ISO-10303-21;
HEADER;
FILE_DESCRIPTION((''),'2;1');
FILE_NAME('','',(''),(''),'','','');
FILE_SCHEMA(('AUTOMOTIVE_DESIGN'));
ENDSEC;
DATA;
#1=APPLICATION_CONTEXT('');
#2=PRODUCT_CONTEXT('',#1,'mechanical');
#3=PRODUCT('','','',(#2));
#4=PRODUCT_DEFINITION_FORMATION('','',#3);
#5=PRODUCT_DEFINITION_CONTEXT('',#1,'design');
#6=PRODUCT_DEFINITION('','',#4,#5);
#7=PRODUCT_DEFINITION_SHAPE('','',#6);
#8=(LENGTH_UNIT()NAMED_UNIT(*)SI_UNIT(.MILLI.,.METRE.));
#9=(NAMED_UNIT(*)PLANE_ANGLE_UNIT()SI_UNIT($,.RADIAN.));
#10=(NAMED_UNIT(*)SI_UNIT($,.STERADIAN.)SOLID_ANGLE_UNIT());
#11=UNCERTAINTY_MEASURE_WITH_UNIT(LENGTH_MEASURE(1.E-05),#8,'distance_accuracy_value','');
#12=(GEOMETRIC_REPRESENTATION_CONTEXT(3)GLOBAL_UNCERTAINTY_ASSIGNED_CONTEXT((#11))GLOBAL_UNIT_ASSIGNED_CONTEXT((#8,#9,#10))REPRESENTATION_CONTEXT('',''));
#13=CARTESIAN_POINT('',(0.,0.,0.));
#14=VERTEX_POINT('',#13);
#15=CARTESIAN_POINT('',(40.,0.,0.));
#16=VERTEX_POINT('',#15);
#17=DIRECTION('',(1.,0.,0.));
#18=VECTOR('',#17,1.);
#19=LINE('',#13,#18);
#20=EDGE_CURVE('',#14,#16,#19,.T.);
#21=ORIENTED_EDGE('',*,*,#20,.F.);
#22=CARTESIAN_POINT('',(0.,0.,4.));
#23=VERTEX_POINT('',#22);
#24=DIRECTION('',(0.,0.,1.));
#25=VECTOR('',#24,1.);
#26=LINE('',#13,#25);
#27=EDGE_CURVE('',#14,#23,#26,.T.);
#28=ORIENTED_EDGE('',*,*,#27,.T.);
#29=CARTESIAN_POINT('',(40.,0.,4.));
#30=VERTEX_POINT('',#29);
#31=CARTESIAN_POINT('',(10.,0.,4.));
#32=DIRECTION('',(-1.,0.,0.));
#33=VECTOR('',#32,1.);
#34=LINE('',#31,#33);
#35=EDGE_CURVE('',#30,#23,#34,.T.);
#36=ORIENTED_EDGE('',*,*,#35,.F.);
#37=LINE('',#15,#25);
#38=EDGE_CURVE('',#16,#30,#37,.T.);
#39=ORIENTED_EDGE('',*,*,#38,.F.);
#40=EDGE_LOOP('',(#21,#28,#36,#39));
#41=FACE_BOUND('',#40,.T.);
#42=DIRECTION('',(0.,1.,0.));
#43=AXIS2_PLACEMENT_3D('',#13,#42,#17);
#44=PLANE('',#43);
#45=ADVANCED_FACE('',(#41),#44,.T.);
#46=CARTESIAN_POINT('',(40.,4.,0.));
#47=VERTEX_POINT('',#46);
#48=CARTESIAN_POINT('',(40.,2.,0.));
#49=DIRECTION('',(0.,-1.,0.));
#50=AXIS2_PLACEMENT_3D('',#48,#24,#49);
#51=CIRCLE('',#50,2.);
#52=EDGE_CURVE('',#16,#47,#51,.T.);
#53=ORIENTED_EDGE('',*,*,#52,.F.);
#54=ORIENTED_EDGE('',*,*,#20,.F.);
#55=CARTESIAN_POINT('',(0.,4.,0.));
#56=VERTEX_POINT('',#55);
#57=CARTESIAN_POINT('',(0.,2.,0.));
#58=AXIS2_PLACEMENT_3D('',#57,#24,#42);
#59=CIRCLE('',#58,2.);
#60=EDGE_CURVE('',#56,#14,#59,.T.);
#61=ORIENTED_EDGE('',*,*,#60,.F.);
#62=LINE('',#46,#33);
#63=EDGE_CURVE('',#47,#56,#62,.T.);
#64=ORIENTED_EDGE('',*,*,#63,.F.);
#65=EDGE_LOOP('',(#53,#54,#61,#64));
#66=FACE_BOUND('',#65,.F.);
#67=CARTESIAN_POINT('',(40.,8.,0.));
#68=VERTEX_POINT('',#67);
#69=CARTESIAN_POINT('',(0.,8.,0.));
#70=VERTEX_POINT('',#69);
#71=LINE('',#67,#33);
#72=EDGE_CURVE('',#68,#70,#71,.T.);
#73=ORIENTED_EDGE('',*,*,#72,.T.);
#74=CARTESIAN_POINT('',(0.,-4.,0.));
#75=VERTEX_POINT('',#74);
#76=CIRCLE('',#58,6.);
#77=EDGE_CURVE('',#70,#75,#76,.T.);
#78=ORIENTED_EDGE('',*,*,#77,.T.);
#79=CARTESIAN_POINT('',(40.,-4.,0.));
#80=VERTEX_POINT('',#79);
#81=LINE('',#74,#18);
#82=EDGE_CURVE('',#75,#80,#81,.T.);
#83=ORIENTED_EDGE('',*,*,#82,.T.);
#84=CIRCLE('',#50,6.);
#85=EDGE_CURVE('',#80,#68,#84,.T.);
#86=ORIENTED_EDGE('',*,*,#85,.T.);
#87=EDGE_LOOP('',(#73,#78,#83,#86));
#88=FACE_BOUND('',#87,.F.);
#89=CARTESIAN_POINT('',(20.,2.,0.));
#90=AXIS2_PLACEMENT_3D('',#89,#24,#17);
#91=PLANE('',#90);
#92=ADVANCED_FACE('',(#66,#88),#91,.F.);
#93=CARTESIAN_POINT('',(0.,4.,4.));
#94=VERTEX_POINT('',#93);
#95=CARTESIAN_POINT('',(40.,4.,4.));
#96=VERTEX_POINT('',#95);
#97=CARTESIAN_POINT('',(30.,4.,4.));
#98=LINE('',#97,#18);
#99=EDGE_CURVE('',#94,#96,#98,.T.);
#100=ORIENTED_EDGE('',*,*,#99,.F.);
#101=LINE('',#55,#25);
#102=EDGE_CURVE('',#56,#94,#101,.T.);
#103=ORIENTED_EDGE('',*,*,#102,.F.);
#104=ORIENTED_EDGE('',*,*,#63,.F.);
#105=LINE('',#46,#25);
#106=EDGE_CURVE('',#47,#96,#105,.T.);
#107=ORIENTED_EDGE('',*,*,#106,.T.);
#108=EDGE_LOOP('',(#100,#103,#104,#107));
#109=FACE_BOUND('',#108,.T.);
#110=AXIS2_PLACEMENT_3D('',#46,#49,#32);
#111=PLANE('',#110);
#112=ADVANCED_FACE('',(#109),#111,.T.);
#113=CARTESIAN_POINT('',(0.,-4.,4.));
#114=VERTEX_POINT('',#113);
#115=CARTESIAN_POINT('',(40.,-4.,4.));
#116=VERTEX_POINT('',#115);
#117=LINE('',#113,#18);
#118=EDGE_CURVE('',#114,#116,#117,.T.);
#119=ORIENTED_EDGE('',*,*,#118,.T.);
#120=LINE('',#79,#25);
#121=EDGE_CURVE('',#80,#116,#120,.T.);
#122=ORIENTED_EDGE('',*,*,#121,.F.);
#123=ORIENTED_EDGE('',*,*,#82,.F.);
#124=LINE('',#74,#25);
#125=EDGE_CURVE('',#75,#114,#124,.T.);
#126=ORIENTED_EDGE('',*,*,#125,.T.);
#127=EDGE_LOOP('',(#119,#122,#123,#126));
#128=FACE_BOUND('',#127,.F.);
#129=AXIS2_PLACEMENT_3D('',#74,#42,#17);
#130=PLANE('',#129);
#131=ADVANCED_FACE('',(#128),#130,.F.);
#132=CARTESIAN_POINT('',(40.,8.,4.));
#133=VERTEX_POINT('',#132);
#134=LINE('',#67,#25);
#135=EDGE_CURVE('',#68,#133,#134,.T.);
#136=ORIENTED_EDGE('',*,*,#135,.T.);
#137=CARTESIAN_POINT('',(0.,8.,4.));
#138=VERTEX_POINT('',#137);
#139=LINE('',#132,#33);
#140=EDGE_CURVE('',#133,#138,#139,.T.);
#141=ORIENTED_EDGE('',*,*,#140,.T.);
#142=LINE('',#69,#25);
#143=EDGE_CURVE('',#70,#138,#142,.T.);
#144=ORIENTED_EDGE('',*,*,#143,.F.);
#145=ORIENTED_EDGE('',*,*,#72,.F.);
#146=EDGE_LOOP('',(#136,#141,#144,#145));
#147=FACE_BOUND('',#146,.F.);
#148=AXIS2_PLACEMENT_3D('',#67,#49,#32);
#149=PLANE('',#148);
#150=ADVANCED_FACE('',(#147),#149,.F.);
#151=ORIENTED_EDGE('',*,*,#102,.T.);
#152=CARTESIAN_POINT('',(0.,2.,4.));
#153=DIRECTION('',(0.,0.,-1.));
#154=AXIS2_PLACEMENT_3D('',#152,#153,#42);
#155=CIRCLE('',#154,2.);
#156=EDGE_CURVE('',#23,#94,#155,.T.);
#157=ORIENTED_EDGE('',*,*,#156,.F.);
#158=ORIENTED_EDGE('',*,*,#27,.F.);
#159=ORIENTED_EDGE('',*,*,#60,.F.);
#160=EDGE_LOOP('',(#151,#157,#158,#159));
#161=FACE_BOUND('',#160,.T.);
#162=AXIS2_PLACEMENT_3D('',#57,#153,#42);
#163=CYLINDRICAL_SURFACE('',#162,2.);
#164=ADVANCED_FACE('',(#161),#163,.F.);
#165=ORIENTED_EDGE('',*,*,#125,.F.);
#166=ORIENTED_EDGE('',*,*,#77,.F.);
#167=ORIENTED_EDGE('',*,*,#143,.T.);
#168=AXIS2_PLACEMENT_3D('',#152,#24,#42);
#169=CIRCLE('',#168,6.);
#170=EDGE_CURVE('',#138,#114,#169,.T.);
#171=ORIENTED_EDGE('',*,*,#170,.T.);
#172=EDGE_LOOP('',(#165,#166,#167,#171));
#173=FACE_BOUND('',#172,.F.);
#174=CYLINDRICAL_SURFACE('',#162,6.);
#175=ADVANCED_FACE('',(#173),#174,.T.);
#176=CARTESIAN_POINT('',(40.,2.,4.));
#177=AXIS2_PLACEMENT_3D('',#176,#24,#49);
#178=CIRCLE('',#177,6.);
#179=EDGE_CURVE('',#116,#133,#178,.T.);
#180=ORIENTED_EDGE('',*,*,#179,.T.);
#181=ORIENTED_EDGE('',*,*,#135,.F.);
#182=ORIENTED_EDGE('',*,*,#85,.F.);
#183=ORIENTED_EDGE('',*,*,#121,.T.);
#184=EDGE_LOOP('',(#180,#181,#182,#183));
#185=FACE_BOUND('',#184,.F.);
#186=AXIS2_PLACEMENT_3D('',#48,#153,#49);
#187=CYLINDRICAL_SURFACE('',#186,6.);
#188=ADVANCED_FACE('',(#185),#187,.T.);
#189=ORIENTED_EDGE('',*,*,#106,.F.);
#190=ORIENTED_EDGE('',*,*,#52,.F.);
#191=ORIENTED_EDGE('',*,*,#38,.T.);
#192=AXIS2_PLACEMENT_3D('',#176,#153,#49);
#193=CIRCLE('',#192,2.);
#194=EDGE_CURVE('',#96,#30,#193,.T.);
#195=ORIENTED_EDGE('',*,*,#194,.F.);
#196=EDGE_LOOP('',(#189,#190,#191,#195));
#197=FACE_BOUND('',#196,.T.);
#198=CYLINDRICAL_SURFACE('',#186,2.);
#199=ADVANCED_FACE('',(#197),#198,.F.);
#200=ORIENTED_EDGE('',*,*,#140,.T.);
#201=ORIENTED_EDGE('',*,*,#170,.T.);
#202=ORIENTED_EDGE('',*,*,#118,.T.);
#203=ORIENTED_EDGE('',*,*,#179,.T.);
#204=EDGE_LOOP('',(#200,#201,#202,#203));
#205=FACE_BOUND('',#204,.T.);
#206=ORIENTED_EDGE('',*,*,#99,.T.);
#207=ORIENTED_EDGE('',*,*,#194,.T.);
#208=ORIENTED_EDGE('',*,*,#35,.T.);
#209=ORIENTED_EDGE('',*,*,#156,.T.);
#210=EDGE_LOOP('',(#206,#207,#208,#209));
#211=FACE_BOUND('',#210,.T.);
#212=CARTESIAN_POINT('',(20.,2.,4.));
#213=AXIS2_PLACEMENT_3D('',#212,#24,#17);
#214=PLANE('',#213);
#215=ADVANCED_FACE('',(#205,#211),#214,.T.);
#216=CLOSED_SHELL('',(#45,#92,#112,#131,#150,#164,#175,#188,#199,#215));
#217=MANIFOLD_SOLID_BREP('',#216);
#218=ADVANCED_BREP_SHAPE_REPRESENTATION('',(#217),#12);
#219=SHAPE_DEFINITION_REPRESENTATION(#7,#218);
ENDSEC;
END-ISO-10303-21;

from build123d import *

# Parameters (mm, degrees)
F2_DEPTH = 4
F3_DEPTH = 25


with BuildPart() as f2:
    # F0 (on Top) → F2 (new body)
    with BuildSketch(Plane.XY):
        with BuildLine():
            Line((40, 8), (0, 8))
            ThreePointArc((0, 8), (-6, 2), (0, -4))
            Line((0, -4), (40, -4))
            ThreePointArc((40, -4), (46, 2), (40, 8))
        make_face()
    extrude(amount=F2_DEPTH)

    # F1 (on Top) → F3 (cut)
    with BuildSketch(Plane.XY):
        with BuildLine():
            ThreePointArc((0, 4), (-2, 2), (0, 0))
            Line((0, 0), (40, 0))
            ThreePointArc((40, 0), (42, 2), (40, 4))
            Line((40, 4), (0, 4))
        make_face()
    extrude(amount=F3_DEPTH, mode=Mode.SUBTRACT)


solid = f2.part
